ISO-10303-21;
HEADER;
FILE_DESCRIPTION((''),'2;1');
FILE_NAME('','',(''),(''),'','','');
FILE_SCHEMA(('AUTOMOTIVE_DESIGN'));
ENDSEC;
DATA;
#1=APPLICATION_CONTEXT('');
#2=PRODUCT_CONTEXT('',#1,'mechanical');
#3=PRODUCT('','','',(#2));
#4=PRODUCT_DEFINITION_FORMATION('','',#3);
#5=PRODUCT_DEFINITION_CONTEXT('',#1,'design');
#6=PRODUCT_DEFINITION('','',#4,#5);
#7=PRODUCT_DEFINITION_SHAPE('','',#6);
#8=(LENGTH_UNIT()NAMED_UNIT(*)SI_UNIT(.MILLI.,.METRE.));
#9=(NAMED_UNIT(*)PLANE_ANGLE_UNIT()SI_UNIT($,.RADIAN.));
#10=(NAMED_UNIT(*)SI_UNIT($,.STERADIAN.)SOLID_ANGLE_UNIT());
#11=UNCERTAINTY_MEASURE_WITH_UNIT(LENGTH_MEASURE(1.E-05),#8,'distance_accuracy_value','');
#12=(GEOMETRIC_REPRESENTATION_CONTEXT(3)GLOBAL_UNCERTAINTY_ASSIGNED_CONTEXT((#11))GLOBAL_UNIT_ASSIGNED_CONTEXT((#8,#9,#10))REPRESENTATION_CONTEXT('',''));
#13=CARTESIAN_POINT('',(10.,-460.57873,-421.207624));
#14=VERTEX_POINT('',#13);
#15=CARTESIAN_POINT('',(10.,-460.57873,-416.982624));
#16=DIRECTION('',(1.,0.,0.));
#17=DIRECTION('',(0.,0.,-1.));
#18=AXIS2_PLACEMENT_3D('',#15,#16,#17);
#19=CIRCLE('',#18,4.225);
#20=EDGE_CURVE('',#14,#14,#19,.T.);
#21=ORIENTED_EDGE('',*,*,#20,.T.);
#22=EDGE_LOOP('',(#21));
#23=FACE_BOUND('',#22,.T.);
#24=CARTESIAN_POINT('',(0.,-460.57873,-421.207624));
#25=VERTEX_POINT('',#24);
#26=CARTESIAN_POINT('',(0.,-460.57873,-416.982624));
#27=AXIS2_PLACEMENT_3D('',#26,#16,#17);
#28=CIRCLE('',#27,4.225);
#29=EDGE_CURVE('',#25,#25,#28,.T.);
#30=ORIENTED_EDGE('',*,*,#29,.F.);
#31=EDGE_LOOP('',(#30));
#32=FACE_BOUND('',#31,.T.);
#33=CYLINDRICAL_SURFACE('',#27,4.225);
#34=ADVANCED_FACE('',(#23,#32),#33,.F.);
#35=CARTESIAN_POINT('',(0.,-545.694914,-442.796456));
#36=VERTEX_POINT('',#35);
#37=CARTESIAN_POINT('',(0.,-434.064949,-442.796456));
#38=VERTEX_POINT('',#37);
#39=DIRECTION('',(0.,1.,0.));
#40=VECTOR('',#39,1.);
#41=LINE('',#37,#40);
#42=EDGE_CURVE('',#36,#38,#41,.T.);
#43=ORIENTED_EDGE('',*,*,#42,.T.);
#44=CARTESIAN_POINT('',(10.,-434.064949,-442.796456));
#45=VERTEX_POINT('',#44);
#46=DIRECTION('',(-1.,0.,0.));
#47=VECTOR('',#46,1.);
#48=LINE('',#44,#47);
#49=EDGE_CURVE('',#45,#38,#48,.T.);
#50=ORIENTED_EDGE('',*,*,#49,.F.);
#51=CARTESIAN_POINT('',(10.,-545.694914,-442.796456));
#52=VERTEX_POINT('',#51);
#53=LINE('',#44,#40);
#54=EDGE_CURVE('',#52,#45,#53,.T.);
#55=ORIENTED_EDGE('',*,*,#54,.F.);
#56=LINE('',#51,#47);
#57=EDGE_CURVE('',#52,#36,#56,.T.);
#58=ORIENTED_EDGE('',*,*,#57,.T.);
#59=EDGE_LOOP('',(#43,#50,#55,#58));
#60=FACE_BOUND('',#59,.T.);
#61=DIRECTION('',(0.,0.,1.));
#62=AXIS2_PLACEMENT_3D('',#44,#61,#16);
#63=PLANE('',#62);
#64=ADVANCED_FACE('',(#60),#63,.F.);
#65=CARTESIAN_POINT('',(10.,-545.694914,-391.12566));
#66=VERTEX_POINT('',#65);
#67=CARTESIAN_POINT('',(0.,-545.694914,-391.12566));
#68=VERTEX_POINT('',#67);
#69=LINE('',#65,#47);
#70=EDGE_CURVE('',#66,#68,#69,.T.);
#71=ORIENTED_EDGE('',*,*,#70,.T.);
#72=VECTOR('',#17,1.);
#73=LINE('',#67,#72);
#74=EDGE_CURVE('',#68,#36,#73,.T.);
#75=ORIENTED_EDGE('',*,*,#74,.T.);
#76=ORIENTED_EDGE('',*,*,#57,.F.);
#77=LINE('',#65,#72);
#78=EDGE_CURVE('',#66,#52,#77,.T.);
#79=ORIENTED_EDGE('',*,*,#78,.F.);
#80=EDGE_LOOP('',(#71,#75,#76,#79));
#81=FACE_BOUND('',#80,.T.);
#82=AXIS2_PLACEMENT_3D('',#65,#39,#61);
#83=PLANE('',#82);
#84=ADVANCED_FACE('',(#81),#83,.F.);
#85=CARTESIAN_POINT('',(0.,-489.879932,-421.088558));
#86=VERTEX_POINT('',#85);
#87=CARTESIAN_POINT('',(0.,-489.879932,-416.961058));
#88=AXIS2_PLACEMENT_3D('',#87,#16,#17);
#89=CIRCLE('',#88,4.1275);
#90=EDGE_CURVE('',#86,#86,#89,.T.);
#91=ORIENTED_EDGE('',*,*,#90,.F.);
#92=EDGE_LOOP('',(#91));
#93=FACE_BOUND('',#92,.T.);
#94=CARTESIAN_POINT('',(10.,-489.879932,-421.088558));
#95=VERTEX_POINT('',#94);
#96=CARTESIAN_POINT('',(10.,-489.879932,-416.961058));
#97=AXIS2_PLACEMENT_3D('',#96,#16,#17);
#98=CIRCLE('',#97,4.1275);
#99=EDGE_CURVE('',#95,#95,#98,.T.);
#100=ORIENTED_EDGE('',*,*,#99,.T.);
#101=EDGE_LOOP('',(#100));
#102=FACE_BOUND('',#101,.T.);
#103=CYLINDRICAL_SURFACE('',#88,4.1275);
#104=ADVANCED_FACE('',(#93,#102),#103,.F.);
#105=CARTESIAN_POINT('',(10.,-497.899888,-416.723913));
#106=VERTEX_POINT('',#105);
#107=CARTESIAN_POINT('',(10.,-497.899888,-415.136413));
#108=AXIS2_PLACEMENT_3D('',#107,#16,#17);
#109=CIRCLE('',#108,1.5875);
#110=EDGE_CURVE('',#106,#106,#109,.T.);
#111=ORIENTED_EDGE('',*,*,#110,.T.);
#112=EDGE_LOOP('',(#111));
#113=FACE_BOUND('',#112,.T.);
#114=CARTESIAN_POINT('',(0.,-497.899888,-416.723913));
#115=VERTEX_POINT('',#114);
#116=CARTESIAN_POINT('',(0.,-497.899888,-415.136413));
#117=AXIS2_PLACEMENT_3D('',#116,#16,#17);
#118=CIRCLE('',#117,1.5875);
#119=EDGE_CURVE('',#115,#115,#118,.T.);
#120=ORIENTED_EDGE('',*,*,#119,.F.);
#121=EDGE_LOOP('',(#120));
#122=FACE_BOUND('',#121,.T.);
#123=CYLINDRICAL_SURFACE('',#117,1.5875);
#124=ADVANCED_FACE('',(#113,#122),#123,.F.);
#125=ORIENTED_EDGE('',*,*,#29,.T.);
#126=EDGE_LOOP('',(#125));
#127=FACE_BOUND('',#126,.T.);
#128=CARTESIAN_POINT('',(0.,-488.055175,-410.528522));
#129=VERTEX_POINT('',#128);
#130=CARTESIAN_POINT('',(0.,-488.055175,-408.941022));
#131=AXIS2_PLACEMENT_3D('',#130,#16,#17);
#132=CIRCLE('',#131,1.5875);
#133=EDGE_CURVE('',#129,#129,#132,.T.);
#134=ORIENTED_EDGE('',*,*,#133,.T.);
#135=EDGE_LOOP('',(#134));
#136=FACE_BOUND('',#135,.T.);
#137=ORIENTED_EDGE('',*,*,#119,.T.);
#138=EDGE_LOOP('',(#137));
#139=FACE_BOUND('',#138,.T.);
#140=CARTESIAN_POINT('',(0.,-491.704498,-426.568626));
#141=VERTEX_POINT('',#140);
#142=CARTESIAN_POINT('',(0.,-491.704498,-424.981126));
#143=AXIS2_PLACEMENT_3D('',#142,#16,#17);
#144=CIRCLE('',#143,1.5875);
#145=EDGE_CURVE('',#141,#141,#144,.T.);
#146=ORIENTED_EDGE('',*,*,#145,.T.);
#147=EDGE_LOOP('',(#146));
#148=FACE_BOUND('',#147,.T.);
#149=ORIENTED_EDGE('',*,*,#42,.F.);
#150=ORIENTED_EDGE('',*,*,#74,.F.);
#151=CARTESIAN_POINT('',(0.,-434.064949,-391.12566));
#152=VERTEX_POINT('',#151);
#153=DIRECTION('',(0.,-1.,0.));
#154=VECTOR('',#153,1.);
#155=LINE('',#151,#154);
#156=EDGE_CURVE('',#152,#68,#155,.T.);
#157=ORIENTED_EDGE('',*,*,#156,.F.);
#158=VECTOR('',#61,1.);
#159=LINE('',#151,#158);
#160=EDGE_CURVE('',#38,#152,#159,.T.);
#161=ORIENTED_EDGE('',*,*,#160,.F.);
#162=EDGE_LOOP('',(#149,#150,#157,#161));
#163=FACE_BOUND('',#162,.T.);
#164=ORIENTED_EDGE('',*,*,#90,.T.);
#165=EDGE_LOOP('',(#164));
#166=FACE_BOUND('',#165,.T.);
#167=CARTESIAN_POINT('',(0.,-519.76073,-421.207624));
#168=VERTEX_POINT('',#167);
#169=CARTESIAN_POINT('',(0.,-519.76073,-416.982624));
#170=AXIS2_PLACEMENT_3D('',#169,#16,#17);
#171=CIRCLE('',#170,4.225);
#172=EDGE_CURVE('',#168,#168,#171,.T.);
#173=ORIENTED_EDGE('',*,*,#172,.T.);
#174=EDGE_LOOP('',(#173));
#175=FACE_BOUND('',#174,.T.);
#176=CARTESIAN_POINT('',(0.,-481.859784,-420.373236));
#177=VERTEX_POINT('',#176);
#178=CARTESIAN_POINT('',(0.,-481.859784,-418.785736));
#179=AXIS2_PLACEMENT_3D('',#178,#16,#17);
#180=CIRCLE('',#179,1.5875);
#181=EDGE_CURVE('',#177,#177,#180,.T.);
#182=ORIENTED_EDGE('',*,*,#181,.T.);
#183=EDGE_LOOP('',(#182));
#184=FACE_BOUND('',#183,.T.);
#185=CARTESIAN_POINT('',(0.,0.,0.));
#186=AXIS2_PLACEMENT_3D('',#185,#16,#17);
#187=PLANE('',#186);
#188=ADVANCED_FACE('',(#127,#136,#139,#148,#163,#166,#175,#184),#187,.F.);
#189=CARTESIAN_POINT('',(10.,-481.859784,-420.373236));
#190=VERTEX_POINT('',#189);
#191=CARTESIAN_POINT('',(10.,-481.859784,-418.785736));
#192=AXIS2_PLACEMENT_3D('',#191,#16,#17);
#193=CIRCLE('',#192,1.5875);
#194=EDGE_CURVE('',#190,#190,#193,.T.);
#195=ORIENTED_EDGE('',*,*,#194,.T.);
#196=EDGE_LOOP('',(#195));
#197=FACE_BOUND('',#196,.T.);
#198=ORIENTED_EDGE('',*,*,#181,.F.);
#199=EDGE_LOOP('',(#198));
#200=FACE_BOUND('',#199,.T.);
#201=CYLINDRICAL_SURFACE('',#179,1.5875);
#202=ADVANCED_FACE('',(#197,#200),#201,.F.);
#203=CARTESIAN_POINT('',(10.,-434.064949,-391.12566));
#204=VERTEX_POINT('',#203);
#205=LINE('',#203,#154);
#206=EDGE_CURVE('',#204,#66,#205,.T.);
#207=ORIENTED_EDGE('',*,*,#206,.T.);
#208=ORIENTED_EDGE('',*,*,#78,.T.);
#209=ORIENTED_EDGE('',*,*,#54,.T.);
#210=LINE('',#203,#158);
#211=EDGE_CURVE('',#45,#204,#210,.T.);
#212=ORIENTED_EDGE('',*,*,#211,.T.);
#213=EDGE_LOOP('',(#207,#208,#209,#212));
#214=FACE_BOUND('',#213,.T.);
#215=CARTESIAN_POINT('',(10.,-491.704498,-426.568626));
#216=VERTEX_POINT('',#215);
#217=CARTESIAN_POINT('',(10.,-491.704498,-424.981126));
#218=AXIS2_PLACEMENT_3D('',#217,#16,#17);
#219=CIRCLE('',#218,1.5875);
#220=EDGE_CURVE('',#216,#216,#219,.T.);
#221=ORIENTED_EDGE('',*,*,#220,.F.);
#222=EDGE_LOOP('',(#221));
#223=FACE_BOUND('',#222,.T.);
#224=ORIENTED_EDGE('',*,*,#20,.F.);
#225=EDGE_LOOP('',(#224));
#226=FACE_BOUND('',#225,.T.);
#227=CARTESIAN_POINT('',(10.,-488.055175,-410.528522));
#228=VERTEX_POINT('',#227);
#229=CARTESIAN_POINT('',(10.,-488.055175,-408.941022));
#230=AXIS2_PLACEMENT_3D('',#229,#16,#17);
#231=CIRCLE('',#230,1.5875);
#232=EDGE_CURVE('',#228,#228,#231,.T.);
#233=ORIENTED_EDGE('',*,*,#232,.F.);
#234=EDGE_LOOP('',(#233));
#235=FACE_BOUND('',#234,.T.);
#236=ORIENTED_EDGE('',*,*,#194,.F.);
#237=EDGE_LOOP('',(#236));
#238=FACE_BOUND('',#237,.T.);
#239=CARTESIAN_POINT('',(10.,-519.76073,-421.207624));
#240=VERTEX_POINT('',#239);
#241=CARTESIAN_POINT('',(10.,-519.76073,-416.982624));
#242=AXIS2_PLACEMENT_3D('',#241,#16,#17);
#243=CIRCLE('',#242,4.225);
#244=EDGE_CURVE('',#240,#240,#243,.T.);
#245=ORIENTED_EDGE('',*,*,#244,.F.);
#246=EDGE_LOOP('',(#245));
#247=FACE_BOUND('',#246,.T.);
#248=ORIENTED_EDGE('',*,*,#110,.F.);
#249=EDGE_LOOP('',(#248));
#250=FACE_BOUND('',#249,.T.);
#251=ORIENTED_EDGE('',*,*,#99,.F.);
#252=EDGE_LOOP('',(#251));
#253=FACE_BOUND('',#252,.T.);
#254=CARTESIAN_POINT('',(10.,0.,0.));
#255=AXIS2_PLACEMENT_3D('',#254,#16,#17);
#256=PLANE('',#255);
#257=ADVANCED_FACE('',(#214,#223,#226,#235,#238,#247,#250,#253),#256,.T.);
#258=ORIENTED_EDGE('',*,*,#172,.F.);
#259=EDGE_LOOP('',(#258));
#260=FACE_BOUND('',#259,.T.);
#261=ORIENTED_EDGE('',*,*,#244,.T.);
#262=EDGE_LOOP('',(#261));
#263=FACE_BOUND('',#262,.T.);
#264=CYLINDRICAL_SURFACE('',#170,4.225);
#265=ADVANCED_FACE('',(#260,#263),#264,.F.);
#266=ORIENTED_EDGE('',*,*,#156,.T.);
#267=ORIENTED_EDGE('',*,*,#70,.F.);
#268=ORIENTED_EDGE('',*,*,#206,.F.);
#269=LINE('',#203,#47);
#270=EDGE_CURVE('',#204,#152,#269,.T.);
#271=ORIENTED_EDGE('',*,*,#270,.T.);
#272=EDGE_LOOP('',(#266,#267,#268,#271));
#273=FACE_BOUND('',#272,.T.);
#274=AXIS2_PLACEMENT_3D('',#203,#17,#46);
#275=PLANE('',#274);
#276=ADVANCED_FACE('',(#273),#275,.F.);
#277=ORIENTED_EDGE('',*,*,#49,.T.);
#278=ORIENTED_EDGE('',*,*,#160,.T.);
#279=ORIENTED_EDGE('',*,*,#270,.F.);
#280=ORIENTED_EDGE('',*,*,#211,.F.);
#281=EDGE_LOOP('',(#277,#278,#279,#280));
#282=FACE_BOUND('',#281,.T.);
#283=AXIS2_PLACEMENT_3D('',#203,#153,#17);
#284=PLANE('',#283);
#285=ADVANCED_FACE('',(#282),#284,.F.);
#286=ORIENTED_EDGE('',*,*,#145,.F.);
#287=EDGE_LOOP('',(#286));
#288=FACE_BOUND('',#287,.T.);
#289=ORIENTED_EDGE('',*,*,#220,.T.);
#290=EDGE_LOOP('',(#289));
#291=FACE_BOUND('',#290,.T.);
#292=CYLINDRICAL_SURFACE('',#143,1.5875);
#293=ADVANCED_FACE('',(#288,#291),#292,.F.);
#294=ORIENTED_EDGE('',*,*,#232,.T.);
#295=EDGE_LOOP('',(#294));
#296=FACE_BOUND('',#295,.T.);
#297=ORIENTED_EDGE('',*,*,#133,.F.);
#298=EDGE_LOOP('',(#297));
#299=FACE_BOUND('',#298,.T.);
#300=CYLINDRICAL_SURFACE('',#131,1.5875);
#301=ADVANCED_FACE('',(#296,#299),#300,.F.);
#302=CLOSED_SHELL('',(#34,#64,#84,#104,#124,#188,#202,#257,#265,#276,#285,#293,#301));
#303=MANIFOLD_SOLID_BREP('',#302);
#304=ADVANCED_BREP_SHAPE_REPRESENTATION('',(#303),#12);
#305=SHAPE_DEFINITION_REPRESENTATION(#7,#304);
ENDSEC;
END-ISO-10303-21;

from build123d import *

# Parameters (mm, degrees)
SKETCH2_W           = 51.670795736
SKETCH2_H           = 111.629965862
BOSS_EXTRUDE1_DEPTH = 10
SKETCH3_R           = 4.225
SKETCH3_R_2         = 4.1275
CUT_EXTRUDE1_DEPTH  = 11
SKETCH5_R           = 1.5875
CUT_EXTRUDE2_DEPTH  = 11


with BuildPart() as part:
    # Sketch2 → Boss-Extrude1 (new body)
    with BuildSketch(Plane(origin=(0, 0, 0), x_dir=(0, 0, -1), z_dir=(1, 0, 0))):
        with Locations((416.961058265, -489.879931508)):
            Rectangle(SKETCH2_W, SKETCH2_H)
    extrude(amount=BOSS_EXTRUDE1_DEPTH)

    # Sketch3 → Cut-Extrude1 (cut, through all)
    with BuildSketch(Plane(origin=(10, 0, 0), x_dir=(0, 0, -1), z_dir=(1, 0, 0))):
        with Locations((416.982623845, -460.578730032)):
            Circle(SKETCH3_R)
        with Locations((416.982623845, -519.760730032)):
            Circle(SKETCH3_R)
        with Locations((416.961058265, -489.879931508)):
            Circle(SKETCH3_R_2)
    extrude(amount=-CUT_EXTRUDE1_DEPTH, mode=Mode.SUBTRACT)

    # Sketch5 → Cut-Extrude2 (cut, through all)
    with BuildSketch(Plane(origin=(10, 0, 0), x_dir=(0, 0, -1), z_dir=(1, 0, 0))):
        with Locations((418.78573561, -481.859784241)):
            Circle(SKETCH5_R)
        with Locations((424.981126269, -491.704497776)):
            Circle(SKETCH5_R)
        with Locations((415.136412734, -497.899888435)):
            Circle(SKETCH5_R)
        with Locations((408.941022075, -488.0551749)):
            Circle(SKETCH5_R)
    extrude(amount=-CUT_EXTRUDE2_DEPTH, mode=Mode.SUBTRACT)


solid = part.part
